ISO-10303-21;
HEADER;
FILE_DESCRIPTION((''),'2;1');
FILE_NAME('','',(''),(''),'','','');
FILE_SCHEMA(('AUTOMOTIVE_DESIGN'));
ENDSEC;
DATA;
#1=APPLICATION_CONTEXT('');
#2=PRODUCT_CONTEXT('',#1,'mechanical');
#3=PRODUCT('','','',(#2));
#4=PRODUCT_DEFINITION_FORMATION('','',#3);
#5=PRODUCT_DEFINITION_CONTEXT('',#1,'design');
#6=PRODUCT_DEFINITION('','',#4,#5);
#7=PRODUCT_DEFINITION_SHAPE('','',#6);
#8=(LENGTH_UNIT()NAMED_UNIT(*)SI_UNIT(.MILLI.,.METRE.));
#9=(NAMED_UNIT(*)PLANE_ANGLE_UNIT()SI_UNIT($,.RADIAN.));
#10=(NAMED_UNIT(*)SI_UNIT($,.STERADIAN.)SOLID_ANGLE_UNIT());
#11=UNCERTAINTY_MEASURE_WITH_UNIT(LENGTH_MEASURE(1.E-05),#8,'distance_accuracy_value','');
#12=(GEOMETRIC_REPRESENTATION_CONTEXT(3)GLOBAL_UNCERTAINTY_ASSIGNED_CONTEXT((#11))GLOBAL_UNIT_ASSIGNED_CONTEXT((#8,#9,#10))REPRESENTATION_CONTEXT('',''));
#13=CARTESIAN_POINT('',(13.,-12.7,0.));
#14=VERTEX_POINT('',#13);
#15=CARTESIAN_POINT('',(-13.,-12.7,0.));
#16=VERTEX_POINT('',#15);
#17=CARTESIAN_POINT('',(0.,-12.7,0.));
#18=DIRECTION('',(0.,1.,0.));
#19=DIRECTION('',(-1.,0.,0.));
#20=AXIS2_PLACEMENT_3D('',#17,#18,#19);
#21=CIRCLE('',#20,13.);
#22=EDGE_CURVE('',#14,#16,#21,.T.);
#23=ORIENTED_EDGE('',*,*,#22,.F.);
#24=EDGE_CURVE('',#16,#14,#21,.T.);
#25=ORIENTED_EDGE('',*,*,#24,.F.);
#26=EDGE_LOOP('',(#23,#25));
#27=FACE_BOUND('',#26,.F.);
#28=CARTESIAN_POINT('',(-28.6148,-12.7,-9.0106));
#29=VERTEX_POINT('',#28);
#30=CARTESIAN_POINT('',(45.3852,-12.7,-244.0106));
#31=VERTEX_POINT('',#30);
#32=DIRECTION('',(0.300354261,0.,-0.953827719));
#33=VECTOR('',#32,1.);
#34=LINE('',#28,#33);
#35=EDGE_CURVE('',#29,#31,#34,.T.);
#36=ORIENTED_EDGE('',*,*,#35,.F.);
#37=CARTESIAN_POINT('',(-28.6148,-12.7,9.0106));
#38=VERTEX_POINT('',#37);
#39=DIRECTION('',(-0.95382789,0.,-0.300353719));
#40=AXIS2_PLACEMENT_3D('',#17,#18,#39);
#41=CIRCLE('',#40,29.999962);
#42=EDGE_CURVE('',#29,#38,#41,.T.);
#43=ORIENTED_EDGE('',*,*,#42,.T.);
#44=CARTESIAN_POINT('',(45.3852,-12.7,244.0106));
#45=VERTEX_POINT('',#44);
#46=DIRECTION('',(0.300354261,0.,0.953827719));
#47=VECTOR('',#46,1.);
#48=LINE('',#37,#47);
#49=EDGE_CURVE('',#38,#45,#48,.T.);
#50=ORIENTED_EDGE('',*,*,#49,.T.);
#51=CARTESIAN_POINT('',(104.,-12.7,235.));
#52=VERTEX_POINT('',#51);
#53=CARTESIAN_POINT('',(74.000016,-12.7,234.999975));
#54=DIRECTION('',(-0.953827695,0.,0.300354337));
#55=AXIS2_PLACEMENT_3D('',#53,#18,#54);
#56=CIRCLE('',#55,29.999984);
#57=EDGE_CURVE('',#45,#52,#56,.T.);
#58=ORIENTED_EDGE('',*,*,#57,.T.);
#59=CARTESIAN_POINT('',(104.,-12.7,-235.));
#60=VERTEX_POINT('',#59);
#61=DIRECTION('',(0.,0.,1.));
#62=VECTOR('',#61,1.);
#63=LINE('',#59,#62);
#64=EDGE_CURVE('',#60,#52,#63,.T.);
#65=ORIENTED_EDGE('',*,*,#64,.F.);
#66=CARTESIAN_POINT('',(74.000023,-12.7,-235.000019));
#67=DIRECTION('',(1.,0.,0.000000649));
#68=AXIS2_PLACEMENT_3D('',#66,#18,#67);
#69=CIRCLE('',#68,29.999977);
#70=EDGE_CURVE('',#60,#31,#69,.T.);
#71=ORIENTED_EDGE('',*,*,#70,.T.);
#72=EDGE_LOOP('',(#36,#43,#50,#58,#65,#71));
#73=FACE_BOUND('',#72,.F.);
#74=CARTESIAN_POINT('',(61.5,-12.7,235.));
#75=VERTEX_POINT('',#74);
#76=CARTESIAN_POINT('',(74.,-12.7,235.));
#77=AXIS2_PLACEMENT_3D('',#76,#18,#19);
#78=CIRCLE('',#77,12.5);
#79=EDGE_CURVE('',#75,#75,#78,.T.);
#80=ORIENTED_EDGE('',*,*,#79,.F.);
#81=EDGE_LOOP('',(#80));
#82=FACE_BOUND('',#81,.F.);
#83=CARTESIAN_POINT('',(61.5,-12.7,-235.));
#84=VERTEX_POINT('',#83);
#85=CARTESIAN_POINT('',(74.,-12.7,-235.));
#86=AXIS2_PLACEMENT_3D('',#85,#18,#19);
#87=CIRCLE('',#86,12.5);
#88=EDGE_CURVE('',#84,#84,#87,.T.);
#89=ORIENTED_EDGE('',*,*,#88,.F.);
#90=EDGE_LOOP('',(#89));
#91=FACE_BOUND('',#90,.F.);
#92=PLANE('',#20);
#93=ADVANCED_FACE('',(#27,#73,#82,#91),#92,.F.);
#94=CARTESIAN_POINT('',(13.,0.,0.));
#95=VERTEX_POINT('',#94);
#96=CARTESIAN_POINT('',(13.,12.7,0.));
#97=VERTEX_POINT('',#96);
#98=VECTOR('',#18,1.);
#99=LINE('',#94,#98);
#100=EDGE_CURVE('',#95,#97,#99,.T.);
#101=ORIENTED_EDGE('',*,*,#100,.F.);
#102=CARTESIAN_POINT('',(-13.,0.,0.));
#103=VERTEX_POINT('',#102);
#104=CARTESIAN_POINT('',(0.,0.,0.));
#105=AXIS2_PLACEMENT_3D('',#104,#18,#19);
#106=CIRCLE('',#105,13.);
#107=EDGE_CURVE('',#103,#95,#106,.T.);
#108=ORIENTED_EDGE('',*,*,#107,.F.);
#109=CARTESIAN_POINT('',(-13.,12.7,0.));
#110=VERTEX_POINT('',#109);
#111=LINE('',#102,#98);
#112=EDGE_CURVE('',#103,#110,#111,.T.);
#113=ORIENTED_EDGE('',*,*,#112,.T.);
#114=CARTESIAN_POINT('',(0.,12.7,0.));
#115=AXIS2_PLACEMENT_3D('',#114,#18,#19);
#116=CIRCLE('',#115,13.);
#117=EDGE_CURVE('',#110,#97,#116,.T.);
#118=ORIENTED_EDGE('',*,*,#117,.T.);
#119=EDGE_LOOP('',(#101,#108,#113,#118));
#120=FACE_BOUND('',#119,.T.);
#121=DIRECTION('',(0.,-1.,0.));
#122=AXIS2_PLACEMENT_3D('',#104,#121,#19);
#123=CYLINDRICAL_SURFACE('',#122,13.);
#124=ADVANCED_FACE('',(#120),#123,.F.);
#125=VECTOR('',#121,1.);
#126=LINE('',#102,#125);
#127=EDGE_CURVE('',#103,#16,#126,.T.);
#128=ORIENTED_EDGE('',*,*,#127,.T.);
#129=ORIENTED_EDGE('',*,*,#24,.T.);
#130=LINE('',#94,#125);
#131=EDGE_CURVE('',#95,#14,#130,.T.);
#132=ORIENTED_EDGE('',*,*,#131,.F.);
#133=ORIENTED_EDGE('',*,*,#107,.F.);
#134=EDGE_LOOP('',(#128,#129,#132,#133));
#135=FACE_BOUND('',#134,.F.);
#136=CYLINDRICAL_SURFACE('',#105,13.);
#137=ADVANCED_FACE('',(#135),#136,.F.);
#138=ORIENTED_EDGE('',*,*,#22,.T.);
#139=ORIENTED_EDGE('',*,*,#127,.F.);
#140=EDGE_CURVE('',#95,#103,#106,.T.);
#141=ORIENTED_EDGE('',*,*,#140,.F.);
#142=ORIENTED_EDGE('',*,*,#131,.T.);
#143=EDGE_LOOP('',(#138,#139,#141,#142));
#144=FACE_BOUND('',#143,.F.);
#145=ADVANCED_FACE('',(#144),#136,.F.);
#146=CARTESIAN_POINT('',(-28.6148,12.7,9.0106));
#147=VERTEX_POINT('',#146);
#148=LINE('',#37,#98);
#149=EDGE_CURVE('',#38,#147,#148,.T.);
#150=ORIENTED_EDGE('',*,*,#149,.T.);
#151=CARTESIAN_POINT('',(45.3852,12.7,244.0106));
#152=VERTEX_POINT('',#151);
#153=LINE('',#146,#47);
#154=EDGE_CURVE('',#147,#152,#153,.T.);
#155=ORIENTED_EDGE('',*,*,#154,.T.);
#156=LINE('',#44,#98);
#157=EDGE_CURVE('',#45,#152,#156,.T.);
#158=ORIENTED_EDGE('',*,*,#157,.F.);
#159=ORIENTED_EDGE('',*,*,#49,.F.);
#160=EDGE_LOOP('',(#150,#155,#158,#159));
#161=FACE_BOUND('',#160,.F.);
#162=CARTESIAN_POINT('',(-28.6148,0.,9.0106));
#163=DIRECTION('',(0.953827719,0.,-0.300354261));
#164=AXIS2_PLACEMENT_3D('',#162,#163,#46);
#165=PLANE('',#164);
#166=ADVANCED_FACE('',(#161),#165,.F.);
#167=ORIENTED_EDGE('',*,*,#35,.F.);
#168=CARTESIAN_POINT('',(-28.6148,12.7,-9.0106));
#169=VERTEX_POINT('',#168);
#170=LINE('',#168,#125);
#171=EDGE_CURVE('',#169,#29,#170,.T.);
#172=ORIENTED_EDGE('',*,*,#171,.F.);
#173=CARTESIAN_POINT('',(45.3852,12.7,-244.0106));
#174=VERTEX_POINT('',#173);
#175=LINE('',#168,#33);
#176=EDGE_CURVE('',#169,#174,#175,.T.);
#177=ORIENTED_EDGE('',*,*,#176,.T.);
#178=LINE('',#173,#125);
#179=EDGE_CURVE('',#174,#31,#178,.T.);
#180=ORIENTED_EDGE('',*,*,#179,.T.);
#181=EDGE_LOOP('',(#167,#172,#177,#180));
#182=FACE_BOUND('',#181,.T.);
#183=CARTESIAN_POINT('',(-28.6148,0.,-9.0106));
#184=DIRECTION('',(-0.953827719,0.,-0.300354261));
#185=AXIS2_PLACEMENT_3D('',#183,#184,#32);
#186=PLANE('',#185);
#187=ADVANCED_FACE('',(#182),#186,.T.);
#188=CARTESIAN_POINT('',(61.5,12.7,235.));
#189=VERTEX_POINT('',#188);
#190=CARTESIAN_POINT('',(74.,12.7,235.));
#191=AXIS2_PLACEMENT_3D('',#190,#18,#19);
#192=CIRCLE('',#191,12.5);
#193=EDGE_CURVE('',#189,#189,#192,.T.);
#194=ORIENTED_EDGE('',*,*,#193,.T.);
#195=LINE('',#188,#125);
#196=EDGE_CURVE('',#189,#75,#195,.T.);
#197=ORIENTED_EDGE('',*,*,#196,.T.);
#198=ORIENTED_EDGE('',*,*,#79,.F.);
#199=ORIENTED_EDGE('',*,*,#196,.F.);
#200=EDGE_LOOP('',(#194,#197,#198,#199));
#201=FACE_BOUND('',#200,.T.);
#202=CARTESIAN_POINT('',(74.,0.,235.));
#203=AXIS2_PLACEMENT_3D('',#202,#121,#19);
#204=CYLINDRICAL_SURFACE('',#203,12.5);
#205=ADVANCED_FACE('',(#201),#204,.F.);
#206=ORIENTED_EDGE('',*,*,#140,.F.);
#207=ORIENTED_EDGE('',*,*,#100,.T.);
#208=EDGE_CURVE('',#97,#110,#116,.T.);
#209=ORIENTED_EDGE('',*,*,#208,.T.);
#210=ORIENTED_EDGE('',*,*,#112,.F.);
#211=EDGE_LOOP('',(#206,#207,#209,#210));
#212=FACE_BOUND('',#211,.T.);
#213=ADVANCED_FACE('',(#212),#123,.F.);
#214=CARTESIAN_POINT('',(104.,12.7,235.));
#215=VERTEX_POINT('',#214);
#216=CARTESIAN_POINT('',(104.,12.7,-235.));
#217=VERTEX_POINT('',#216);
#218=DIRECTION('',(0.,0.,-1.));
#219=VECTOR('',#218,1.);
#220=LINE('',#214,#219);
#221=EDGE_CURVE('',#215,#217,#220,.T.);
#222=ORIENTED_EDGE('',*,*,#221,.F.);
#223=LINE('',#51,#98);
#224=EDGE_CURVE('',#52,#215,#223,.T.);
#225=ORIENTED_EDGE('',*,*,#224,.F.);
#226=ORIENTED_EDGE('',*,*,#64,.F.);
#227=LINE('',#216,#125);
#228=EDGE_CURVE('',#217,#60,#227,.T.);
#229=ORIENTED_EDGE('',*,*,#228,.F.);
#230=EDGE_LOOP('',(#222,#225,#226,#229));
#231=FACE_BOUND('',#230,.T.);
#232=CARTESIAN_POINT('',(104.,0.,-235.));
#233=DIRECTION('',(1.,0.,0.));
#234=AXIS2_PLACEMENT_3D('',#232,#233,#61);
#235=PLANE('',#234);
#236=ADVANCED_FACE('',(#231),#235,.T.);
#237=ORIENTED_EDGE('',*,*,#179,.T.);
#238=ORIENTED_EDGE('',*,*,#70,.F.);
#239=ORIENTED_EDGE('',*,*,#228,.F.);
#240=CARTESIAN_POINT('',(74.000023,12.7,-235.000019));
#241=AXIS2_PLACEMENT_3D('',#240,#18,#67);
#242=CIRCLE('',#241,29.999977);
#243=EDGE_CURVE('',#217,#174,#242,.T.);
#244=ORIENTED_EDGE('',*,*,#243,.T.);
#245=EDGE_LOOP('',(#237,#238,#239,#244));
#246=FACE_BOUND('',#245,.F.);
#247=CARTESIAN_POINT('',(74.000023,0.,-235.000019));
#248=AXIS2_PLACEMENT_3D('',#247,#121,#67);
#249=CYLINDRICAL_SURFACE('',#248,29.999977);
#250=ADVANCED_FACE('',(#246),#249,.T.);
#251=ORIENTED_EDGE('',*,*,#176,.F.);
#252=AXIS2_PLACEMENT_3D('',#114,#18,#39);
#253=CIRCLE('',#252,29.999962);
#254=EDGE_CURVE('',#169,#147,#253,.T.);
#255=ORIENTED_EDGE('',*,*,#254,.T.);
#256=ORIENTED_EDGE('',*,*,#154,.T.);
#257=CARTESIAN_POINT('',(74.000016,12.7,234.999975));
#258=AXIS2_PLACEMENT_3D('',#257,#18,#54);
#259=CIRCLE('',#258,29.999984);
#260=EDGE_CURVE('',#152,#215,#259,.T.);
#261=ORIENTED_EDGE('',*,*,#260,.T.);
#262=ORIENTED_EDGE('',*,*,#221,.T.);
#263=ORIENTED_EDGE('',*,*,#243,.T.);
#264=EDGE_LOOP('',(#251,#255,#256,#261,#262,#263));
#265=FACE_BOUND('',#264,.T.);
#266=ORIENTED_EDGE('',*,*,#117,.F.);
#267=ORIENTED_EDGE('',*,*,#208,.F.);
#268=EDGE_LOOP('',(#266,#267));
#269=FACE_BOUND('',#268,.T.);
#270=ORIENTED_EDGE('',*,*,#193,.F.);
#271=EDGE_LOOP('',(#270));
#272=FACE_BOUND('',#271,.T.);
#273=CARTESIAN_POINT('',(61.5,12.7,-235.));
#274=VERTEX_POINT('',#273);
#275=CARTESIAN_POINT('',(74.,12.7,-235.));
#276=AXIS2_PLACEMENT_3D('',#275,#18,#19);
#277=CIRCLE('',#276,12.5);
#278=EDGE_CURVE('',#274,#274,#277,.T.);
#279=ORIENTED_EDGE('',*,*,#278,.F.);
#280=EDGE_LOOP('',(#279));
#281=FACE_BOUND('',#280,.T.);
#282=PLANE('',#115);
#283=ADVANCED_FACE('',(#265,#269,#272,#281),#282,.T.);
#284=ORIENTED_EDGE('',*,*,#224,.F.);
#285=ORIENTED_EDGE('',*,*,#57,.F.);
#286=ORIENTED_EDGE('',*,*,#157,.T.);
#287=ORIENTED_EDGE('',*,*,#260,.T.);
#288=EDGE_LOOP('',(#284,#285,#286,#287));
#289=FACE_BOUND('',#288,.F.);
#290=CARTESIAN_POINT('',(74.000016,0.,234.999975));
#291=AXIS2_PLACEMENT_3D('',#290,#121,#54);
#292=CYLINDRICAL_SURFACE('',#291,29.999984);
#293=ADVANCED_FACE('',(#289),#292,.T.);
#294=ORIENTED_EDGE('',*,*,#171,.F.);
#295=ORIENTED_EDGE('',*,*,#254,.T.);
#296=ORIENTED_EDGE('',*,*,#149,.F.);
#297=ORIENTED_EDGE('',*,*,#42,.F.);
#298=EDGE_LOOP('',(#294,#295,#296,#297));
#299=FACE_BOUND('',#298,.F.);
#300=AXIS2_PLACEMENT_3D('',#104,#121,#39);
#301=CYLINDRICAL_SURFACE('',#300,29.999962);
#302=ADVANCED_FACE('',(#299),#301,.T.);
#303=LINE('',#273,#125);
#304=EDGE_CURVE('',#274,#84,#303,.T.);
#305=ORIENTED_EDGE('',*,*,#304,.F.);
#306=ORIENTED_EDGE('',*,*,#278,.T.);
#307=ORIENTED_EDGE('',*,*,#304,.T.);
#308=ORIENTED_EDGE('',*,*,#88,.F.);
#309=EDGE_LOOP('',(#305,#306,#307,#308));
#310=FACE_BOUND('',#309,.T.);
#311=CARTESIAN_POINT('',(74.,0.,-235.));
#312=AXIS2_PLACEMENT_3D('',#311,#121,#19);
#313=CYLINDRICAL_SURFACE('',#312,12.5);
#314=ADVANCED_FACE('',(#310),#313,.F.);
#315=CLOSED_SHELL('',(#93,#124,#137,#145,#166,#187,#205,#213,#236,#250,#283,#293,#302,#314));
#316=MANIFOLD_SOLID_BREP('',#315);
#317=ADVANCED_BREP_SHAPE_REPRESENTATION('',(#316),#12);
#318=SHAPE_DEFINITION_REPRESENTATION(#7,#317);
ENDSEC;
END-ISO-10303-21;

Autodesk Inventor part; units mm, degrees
ref_plane "YZ Plane" through (0, 0, 0) normal (1, 0, 0) x (0, 1, 0)
ref_plane "XZ Plane" through (0, 0, 0) normal (0, 1, 0) x (-1, 0, 0)
ref_plane "XY Plane" through (0, 0, 0) normal (0, 0, 1) x (1, 0, 0)
sketch "Sketch1" plane through (0, 0, 0) normal (0, 1, 0) x (-1, 0, 0)
  circle A0 centre (0, 0) radius 13
  line L0 (28.6148, 9.0106) -> (-45.3852, 244.0106)
  line L1 (-104, 235) -> (-104, 75.4136)
  circle A1 centre (-74, 235) radius 12.5
  circle A2 centre (-74, 0) radius 12.5 construction
  line L2 (0, 0) -> (-74, 0)
  line L3 (28.6148, -9.0106) -> (-45.3852, -244.0106)
  line L4 (-104, -235) -> (-104, 75.4136)
  circle A3 centre (-74, -235) radius 12.5
  arc A4 (-45.3852, 244.0106) -> (-104, 235) centre (-74, 235) ccw
  arc A5 (28.6148, -9.0106) -> (28.6148, 9.0106) centre (0, 0) ccw
  arc A6 (-104, -235) -> (-45.3852, -244.0106) centre (-74, -235) ccw
  point P0 (-104, 430.1523)
  point P1 (-104, -430.1523)
  dimension "d0" = 26
  dimension "d1" = 25
  dimension "d2" = 25
  dimension "d4" = 74
  dimension "d6" = 470
  dimension "d9" = 30
  dimension "d10" = 30
extrude "Extrusion1" add sketch "Sketch1" along normal mid plane 25.4
properties part number "Espacador_Delta"
